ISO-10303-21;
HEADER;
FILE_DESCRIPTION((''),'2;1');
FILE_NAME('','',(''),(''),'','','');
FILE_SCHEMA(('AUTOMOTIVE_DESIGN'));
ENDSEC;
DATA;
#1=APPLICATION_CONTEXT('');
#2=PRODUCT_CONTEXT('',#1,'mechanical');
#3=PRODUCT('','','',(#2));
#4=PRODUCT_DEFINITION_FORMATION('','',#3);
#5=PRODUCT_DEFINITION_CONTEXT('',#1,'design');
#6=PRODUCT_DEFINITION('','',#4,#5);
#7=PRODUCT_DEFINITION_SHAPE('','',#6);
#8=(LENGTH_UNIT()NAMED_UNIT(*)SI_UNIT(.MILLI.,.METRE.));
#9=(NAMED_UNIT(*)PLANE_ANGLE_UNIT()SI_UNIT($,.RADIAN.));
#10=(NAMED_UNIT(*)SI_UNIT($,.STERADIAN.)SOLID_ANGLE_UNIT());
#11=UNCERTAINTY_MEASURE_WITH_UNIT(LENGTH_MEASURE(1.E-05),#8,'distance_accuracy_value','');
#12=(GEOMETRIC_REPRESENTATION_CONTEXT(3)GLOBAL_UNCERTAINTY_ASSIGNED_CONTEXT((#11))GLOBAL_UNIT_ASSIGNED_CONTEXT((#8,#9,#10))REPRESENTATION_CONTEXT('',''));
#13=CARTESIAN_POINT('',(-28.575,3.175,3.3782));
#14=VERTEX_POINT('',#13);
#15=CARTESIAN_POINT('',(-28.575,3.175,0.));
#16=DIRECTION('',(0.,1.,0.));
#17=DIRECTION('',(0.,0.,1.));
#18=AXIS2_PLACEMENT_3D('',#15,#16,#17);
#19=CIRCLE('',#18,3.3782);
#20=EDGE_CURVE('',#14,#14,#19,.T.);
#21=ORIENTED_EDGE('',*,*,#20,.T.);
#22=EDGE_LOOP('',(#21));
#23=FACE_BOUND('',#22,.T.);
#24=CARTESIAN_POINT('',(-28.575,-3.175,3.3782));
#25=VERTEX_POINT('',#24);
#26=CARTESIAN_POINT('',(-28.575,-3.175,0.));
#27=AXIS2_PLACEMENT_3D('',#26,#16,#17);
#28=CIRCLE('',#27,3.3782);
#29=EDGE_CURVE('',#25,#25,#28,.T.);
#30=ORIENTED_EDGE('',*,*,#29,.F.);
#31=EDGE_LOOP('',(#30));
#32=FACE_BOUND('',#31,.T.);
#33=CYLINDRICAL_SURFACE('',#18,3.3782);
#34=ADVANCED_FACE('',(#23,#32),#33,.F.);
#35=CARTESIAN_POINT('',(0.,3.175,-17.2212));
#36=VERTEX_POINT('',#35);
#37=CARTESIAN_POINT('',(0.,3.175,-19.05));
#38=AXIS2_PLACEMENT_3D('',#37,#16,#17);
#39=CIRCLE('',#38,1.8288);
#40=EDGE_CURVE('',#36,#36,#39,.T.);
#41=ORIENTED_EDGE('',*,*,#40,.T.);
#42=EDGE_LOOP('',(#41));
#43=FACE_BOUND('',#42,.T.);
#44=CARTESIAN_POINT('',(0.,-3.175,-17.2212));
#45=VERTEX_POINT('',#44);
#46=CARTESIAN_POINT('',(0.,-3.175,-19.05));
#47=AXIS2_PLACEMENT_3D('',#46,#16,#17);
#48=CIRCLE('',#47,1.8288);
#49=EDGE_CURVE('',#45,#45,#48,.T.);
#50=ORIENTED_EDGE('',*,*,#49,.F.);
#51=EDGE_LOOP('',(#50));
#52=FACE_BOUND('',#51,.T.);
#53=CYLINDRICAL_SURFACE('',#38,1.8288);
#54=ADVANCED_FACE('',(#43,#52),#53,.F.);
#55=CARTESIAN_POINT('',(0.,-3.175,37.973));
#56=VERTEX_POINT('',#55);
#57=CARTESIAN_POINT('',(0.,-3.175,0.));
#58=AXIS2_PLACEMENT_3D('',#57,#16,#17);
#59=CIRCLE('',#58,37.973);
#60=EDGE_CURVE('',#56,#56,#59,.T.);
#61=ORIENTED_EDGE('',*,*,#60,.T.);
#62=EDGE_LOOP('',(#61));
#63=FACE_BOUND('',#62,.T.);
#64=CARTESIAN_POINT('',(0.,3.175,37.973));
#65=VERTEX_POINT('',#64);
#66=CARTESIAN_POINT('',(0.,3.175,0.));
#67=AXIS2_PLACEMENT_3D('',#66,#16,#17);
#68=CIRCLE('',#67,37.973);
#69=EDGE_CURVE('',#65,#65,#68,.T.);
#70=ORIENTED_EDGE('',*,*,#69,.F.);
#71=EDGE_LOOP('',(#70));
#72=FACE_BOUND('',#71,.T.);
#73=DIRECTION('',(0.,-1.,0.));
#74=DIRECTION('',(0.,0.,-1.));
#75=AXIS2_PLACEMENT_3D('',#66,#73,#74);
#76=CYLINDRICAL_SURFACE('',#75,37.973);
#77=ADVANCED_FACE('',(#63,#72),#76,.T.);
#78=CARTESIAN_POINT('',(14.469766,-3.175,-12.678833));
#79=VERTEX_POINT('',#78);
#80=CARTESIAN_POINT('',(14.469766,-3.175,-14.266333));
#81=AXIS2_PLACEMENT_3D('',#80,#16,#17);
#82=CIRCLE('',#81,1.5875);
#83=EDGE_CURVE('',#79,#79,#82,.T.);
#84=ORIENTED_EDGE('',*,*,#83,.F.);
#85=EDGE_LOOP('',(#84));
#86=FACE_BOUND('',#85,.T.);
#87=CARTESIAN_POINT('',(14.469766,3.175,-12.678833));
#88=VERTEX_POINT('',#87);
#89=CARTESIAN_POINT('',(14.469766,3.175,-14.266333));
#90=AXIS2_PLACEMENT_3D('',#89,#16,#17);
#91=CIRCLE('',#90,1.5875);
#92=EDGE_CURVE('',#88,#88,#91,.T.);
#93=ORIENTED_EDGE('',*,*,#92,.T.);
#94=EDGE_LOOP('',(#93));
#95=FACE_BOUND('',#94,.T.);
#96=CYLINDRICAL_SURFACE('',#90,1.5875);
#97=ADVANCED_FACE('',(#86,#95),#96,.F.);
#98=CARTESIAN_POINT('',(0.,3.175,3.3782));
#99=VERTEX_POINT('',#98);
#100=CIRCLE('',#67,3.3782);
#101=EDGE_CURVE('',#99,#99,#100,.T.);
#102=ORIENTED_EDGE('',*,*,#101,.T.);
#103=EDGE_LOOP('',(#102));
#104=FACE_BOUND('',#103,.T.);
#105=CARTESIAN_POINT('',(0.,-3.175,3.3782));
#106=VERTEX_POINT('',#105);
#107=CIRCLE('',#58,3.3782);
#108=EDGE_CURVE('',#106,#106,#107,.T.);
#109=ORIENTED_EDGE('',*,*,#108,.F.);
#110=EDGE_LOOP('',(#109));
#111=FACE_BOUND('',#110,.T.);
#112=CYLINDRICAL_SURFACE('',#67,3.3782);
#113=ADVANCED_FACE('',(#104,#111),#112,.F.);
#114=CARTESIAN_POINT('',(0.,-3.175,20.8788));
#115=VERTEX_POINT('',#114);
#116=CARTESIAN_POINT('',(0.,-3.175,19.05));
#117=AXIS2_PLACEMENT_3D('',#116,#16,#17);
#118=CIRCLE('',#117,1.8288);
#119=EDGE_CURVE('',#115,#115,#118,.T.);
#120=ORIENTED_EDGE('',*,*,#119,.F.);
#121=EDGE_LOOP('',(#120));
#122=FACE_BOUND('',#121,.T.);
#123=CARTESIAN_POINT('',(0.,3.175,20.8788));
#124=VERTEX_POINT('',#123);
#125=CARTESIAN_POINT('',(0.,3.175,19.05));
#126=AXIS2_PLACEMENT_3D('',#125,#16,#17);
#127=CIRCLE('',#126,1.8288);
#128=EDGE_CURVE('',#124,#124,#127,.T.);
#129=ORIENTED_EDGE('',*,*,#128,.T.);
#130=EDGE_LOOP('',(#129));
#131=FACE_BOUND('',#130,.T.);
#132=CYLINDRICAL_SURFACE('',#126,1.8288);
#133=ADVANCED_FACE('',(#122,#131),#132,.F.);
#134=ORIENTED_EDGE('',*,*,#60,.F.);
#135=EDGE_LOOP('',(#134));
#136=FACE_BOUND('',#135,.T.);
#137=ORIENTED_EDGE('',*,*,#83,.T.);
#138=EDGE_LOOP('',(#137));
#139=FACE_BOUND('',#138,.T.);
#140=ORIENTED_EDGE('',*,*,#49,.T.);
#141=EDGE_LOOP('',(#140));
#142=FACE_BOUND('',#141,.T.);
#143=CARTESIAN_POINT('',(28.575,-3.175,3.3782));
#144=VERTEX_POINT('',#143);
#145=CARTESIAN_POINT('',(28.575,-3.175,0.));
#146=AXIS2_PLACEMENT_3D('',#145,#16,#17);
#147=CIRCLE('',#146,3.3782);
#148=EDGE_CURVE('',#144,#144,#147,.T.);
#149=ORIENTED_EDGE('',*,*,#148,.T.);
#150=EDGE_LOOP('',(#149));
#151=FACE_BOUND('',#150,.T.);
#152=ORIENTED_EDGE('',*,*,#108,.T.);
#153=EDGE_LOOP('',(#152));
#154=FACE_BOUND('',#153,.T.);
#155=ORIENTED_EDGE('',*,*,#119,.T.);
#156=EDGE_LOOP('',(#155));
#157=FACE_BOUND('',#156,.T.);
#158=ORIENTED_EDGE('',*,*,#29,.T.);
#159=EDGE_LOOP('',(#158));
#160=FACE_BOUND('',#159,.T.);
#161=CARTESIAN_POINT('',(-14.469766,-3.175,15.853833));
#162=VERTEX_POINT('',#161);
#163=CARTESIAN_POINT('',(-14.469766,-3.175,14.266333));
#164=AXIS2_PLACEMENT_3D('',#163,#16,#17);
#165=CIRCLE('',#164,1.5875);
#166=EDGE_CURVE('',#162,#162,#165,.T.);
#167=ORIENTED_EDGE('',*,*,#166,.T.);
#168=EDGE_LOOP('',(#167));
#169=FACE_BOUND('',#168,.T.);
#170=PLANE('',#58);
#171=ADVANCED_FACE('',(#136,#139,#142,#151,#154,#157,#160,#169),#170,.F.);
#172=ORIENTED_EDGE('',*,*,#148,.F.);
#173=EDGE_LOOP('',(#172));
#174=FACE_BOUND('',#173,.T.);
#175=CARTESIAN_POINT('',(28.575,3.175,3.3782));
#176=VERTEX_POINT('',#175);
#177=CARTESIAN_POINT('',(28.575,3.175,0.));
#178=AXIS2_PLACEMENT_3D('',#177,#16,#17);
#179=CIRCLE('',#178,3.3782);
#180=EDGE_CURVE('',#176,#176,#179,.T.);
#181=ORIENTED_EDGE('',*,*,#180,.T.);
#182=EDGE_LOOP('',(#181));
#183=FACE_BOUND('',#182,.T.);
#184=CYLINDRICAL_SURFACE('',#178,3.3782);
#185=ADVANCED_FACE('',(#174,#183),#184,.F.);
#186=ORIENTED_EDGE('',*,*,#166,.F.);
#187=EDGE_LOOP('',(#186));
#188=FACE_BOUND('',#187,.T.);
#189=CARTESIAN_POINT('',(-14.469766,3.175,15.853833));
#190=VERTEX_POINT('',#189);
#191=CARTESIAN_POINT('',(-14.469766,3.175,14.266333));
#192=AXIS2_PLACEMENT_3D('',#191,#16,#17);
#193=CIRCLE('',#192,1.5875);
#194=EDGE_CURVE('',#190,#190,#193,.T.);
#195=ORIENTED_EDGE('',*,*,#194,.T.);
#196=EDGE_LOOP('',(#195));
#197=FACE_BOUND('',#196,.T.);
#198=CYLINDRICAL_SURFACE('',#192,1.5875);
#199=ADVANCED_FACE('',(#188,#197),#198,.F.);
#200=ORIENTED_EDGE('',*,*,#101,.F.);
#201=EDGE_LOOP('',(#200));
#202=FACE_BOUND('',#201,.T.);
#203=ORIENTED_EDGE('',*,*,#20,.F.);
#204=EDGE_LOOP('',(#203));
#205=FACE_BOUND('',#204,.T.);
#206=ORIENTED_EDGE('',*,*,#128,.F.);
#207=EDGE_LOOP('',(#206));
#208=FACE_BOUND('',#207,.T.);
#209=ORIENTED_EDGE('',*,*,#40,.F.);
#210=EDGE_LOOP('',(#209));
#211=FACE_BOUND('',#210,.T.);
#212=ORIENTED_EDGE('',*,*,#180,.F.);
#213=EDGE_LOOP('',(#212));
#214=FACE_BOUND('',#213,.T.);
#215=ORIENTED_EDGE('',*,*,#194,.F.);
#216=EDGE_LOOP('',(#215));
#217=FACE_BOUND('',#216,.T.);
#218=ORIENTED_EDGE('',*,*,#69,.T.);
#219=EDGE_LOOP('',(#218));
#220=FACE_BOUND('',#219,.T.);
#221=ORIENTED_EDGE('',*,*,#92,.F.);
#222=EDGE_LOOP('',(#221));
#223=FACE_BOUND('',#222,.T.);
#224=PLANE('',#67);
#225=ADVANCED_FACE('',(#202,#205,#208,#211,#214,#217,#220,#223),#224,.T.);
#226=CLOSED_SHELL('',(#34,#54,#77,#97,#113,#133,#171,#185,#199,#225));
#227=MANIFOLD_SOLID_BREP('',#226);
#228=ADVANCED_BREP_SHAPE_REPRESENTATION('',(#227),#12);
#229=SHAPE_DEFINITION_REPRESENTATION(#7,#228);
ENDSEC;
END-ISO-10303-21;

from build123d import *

# Parameters (mm, degrees)
SKETCH1_R                    = 37.973
BOSS_EXTRUDE1_DEPTH          = 3.175
H_0_266_DIAMETER_HOLE1_D     = 6.7564
F_27_0_144_DIAMETER_HOLE1_D  = 3.6576
F_1_8_0_125_DIAMETER_HOLE1_D = 3.175
H_0_266_DIAMETER_HOLE2_D     = 6.7564


with BuildPart() as part:
    # Sketch1 → Boss-Extrude1 (new, symmetric)
    with BuildSketch(Plane(origin=(0, 0, 0), x_dir=(1, 0, 0), z_dir=(0, 1, 0))):
        with Locations(Location((0, 0, 0), (0, 0, 270))):
            Circle(SKETCH1_R)
    extrude(amount=BOSS_EXTRUDE1_DEPTH, both=True)

    # H (0.266) Diameter Hole1 (through all)
    with Locations(Plane(origin=(0, 3.175, 0), x_dir=(1, 0, 0), z_dir=(0, 1, 0))):
        with Locations((-28.575, 0), (28.575, 0)):
            Hole(H_0_266_DIAMETER_HOLE1_D / 2)

    # #27 (0.144) Diameter Hole1 (through all)
    with Locations(Plane(origin=(0, 3.175, 0), x_dir=(1, 0, 0), z_dir=(0, 1, 0))):
        with Locations((0, 19.05), (0, -19.05)):
            Hole(F_27_0_144_DIAMETER_HOLE1_D / 2)

    # 1/8 (0.125) Diameter Hole1 (through all)
    with Locations(Plane(origin=(0, 3.175, 0), x_dir=(1, 0, 0), z_dir=(0, 1, 0))):
        with Locations((14.469766177, 14.266333333), (-14.469766177, -14.266333333)):
            Hole(F_1_8_0_125_DIAMETER_HOLE1_D / 2)

    # H (0.266) Diameter Hole2 (through all)
    with Locations(Plane(origin=(0, 3.175, 0), x_dir=(1, 0, 0), z_dir=(0, 1, 0))):
        with Locations((0, 0)):
            Hole(H_0_266_DIAMETER_HOLE2_D / 2)


solid = part.part
